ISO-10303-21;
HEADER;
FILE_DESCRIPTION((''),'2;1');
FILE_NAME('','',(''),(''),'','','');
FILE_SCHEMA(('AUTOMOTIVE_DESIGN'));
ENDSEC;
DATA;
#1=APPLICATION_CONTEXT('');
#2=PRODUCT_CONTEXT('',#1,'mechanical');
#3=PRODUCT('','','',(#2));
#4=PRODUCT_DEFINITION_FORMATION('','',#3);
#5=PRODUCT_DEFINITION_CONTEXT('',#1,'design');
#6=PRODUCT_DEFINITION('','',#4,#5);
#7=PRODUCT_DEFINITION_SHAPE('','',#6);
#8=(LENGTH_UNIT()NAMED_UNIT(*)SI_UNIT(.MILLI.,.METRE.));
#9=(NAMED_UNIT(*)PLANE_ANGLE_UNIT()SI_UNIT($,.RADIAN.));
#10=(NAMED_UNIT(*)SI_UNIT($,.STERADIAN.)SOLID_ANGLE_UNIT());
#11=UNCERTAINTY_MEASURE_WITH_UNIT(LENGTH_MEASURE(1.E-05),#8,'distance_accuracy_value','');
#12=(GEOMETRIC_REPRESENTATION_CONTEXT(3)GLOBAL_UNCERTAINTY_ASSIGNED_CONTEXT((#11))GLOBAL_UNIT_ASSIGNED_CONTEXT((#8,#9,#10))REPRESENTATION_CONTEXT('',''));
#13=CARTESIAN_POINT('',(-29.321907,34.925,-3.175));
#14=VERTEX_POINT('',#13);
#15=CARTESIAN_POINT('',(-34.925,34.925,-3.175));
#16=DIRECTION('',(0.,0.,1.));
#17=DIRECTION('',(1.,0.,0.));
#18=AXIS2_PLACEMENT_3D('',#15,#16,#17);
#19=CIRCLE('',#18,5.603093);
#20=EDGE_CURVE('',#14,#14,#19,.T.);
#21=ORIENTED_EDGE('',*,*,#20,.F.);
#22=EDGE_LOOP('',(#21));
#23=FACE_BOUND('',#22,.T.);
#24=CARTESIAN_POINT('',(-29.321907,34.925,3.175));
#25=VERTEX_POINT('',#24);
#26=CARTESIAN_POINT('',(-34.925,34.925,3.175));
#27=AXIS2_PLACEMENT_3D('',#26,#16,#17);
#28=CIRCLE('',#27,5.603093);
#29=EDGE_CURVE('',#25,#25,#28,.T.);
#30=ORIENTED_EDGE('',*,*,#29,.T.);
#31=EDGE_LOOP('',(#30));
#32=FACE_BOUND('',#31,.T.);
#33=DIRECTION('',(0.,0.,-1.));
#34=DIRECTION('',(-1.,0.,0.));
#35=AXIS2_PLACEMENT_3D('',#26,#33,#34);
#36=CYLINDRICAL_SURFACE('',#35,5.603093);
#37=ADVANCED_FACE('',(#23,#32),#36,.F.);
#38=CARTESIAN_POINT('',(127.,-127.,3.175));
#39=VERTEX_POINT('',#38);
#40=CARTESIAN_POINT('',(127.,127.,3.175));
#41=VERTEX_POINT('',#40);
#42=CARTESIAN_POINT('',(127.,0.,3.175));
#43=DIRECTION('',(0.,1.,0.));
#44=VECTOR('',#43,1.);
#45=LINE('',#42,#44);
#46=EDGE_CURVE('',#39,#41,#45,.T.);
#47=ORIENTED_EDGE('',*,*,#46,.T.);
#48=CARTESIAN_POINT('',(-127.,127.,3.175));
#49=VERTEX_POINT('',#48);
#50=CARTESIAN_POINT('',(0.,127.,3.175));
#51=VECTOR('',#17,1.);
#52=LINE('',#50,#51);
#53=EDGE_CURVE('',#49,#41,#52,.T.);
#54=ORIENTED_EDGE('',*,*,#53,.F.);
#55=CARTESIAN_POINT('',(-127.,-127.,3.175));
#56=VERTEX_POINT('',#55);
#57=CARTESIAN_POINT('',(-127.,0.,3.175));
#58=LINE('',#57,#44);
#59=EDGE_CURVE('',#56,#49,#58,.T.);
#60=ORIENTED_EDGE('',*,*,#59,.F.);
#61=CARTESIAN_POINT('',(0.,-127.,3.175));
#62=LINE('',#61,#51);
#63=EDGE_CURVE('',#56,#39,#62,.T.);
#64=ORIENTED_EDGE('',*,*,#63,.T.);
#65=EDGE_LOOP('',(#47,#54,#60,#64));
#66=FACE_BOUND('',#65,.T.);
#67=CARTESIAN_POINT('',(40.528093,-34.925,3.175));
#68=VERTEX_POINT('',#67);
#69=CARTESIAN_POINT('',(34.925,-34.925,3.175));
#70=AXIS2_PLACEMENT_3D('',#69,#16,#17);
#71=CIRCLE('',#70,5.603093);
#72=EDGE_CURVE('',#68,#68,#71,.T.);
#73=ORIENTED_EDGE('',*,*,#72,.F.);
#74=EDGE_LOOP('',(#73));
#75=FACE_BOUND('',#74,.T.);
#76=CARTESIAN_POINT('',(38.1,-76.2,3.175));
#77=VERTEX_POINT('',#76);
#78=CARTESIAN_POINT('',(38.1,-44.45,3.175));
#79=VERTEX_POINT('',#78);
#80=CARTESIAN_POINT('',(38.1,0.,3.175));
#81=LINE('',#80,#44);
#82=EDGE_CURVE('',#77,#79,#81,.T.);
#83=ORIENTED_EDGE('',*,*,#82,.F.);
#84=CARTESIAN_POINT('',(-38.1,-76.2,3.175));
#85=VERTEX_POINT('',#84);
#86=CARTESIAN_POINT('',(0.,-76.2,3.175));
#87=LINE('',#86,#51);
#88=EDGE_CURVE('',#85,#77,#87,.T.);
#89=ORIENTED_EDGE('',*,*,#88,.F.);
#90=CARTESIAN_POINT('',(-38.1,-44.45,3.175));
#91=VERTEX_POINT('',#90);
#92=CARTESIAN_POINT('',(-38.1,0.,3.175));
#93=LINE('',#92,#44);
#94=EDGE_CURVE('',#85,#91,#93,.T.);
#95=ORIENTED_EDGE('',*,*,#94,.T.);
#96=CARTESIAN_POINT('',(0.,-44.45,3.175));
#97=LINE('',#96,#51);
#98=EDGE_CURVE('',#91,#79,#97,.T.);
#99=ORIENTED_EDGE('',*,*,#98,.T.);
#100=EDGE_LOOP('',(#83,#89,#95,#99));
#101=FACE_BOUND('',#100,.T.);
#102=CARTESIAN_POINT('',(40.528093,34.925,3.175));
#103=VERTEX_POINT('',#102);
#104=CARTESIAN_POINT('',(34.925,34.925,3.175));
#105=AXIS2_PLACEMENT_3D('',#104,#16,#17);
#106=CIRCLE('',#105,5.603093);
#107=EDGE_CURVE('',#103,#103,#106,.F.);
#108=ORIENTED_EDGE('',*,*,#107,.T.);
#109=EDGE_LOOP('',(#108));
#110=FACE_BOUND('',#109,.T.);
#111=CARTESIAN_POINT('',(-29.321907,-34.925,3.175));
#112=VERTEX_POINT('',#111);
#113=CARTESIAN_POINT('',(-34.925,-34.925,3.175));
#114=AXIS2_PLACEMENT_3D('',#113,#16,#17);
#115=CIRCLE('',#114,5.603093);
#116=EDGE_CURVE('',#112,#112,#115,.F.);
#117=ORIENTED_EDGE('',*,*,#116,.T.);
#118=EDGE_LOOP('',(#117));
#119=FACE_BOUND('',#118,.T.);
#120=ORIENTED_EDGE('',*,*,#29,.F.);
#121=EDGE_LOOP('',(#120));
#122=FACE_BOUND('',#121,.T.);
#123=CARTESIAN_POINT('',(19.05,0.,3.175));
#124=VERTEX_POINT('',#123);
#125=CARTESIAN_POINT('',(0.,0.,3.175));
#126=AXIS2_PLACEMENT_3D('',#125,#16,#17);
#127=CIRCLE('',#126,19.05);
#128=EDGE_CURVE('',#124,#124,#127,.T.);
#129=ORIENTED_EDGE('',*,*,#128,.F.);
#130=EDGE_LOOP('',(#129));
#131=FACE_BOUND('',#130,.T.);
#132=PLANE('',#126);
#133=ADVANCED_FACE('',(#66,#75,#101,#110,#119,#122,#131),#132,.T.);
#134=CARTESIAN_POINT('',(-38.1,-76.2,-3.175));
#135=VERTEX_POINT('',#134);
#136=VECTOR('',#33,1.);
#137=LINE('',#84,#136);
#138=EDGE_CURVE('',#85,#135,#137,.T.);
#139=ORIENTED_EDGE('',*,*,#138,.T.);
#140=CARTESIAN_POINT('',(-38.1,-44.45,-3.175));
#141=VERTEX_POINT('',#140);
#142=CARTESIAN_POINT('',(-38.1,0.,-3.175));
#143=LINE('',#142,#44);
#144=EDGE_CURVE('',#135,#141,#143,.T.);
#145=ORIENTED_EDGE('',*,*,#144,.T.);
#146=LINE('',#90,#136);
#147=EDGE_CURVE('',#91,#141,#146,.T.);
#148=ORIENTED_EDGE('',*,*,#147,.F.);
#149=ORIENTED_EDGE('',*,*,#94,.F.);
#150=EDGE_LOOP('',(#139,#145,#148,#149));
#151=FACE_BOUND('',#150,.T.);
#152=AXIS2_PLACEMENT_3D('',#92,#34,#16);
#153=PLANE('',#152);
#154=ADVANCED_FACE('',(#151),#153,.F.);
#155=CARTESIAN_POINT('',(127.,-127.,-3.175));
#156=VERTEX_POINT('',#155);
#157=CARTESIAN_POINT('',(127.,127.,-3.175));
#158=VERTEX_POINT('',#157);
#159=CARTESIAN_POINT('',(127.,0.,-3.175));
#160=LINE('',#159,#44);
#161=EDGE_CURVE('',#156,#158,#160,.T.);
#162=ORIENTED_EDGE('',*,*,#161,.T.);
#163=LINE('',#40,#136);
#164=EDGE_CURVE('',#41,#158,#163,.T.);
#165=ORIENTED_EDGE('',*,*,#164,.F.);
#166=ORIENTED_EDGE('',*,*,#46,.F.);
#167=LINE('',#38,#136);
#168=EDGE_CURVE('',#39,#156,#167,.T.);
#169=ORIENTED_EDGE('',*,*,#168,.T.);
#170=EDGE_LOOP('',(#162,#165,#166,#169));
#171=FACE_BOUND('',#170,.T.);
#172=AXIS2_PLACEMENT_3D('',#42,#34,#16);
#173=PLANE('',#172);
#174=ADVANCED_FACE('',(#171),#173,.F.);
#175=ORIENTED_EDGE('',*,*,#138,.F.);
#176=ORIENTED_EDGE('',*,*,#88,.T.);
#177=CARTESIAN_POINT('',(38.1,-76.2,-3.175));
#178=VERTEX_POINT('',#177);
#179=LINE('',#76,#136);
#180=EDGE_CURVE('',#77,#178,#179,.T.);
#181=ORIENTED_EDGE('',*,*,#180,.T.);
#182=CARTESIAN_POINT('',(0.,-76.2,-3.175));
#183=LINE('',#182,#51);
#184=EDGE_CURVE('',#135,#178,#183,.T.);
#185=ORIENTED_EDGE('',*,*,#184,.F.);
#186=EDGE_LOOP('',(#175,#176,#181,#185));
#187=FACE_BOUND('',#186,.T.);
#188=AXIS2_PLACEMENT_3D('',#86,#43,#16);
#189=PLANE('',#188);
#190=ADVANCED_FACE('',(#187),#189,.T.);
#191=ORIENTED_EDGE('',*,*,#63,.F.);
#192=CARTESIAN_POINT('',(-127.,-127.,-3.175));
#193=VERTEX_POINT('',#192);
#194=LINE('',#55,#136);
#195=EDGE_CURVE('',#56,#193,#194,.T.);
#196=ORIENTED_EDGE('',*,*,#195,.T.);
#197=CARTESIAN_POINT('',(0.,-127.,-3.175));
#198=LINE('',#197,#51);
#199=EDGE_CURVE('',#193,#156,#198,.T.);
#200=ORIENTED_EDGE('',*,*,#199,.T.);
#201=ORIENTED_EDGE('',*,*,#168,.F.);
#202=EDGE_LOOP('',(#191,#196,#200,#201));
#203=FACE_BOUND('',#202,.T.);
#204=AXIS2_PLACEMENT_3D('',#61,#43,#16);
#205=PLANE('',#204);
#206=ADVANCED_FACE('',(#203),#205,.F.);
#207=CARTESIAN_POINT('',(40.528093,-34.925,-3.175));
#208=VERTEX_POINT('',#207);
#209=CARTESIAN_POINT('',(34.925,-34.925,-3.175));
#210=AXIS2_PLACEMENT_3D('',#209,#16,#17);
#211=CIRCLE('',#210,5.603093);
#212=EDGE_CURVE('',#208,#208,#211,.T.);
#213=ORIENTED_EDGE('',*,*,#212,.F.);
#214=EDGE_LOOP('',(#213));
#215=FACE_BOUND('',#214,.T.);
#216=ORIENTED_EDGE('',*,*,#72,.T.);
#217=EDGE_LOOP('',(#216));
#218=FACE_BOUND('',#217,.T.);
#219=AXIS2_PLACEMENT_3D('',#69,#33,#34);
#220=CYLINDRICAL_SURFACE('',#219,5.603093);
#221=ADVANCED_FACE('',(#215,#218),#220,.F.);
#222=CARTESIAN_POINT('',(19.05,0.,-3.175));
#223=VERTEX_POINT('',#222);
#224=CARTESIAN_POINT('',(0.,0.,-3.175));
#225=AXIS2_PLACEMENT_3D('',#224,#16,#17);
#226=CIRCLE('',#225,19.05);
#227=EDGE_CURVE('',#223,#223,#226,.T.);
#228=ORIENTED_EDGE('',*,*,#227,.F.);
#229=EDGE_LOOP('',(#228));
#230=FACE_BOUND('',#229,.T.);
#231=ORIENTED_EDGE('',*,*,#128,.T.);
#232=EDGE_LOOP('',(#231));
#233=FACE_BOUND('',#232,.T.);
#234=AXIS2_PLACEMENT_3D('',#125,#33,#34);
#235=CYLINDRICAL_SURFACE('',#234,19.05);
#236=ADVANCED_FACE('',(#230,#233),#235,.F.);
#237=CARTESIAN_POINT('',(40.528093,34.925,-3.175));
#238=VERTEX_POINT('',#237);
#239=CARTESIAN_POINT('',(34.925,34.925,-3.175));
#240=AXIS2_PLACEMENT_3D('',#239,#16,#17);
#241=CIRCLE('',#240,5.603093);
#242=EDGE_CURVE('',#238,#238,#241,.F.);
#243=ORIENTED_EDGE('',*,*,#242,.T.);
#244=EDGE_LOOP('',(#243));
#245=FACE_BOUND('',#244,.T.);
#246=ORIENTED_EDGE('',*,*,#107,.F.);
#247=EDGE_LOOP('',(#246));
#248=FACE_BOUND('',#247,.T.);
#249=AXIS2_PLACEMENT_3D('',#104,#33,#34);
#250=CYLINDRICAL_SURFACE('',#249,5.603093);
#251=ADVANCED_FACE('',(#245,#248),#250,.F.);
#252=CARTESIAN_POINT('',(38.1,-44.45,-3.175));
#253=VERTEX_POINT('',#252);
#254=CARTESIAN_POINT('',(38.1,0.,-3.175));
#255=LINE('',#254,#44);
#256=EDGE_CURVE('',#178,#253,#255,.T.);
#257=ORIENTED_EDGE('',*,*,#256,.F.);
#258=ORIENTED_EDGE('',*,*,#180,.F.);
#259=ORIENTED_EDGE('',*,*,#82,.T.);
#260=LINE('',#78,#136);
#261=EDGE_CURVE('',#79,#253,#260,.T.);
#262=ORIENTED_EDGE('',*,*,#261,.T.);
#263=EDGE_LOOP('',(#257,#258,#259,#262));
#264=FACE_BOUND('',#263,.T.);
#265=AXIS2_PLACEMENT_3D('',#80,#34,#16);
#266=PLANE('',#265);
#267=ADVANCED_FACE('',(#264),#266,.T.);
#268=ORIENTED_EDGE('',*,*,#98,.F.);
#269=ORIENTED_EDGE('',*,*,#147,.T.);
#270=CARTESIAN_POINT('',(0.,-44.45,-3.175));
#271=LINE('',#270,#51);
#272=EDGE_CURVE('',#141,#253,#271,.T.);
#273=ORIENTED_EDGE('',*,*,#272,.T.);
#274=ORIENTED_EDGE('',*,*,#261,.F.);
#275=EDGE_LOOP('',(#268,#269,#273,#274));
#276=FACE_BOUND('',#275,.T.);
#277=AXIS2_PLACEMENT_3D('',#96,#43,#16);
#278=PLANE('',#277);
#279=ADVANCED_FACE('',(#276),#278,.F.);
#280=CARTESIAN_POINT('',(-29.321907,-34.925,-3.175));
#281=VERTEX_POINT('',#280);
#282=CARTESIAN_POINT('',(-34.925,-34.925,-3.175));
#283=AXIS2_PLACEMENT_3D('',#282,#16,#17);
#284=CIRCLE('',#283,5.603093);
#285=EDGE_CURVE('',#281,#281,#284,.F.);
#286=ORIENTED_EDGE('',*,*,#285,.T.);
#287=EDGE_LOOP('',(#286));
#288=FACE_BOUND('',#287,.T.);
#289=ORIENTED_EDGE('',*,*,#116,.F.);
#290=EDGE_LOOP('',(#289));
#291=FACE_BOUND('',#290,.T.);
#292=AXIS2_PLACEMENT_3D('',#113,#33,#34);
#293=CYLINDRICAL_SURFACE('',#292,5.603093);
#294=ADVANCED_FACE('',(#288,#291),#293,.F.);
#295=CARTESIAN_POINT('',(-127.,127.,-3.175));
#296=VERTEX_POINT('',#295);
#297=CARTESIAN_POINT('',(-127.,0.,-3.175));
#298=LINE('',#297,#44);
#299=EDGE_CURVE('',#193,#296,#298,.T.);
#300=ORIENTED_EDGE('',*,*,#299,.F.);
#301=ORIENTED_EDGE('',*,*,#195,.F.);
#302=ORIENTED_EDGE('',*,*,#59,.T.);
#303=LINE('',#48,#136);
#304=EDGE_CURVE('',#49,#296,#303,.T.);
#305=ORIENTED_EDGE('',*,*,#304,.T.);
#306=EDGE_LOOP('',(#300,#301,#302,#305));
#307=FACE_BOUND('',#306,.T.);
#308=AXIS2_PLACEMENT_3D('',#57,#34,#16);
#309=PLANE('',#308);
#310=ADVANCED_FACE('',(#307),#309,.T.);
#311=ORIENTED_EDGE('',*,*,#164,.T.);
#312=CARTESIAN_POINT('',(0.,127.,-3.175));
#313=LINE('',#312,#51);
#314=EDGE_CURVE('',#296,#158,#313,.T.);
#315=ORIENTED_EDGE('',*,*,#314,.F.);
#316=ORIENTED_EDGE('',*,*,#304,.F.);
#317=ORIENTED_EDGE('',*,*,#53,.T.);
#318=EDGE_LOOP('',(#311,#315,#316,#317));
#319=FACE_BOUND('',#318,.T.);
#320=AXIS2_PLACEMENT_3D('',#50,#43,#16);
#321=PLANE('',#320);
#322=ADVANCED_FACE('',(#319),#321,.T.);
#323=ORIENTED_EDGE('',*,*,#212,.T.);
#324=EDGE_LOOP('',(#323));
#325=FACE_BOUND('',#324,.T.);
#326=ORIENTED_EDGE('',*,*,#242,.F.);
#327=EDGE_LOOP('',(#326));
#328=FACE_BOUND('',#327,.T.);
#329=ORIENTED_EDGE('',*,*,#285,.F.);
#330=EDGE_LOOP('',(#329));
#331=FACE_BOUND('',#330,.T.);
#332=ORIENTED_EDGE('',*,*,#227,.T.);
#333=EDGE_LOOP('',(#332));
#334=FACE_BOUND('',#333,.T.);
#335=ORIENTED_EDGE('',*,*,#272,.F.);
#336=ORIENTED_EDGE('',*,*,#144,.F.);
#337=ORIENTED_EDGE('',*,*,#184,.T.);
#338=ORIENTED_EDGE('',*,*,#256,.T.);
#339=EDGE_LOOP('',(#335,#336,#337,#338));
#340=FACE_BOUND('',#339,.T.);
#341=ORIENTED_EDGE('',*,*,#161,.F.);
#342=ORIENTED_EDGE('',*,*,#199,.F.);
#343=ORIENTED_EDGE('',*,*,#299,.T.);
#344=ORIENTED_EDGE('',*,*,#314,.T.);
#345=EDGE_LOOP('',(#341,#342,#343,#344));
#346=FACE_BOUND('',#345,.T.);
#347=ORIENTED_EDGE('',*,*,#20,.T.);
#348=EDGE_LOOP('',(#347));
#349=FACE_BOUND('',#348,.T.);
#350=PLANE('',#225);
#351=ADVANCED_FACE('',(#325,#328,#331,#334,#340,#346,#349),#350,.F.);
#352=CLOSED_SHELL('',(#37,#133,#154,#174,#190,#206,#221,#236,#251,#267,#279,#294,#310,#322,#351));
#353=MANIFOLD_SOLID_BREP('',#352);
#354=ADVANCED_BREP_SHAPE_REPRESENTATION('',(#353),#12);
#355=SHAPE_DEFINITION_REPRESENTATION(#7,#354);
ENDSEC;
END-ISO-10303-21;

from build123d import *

# Parameters (mm, degrees)
SKETCH1_W           = 254
SKETCH1_H           = 254
SKETCH1_R           = 19.05
SKETCH1_R_2         = 5.603093475
SKETCH1_W_2         = 76.2
SKETCH1_H_2         = 31.75
BOSS_EXTRUDE1_DEPTH = 3.175


with BuildPart() as part:
    # Sketch1 → Boss-Extrude1 (new, symmetric)
    with BuildSketch(Plane.XY):
        Rectangle(SKETCH1_W, SKETCH1_H)
        Circle(SKETCH1_R, mode=Mode.SUBTRACT)
        with Locations((-34.925, 34.925)):
            Circle(SKETCH1_R_2, mode=Mode.SUBTRACT)
        with Locations((34.925, 34.925)):
            Circle(SKETCH1_R_2, mode=Mode.SUBTRACT)
        with Locations((-34.925, -34.925)):
            Circle(SKETCH1_R_2, mode=Mode.SUBTRACT)
        with Locations((34.925, -34.925)):
            Circle(SKETCH1_R_2, mode=Mode.SUBTRACT)
        with Locations((0, -60.325)):
            Rectangle(SKETCH1_W_2, SKETCH1_H_2, mode=Mode.SUBTRACT)
    extrude(amount=BOSS_EXTRUDE1_DEPTH, both=True)


solid = part.part
